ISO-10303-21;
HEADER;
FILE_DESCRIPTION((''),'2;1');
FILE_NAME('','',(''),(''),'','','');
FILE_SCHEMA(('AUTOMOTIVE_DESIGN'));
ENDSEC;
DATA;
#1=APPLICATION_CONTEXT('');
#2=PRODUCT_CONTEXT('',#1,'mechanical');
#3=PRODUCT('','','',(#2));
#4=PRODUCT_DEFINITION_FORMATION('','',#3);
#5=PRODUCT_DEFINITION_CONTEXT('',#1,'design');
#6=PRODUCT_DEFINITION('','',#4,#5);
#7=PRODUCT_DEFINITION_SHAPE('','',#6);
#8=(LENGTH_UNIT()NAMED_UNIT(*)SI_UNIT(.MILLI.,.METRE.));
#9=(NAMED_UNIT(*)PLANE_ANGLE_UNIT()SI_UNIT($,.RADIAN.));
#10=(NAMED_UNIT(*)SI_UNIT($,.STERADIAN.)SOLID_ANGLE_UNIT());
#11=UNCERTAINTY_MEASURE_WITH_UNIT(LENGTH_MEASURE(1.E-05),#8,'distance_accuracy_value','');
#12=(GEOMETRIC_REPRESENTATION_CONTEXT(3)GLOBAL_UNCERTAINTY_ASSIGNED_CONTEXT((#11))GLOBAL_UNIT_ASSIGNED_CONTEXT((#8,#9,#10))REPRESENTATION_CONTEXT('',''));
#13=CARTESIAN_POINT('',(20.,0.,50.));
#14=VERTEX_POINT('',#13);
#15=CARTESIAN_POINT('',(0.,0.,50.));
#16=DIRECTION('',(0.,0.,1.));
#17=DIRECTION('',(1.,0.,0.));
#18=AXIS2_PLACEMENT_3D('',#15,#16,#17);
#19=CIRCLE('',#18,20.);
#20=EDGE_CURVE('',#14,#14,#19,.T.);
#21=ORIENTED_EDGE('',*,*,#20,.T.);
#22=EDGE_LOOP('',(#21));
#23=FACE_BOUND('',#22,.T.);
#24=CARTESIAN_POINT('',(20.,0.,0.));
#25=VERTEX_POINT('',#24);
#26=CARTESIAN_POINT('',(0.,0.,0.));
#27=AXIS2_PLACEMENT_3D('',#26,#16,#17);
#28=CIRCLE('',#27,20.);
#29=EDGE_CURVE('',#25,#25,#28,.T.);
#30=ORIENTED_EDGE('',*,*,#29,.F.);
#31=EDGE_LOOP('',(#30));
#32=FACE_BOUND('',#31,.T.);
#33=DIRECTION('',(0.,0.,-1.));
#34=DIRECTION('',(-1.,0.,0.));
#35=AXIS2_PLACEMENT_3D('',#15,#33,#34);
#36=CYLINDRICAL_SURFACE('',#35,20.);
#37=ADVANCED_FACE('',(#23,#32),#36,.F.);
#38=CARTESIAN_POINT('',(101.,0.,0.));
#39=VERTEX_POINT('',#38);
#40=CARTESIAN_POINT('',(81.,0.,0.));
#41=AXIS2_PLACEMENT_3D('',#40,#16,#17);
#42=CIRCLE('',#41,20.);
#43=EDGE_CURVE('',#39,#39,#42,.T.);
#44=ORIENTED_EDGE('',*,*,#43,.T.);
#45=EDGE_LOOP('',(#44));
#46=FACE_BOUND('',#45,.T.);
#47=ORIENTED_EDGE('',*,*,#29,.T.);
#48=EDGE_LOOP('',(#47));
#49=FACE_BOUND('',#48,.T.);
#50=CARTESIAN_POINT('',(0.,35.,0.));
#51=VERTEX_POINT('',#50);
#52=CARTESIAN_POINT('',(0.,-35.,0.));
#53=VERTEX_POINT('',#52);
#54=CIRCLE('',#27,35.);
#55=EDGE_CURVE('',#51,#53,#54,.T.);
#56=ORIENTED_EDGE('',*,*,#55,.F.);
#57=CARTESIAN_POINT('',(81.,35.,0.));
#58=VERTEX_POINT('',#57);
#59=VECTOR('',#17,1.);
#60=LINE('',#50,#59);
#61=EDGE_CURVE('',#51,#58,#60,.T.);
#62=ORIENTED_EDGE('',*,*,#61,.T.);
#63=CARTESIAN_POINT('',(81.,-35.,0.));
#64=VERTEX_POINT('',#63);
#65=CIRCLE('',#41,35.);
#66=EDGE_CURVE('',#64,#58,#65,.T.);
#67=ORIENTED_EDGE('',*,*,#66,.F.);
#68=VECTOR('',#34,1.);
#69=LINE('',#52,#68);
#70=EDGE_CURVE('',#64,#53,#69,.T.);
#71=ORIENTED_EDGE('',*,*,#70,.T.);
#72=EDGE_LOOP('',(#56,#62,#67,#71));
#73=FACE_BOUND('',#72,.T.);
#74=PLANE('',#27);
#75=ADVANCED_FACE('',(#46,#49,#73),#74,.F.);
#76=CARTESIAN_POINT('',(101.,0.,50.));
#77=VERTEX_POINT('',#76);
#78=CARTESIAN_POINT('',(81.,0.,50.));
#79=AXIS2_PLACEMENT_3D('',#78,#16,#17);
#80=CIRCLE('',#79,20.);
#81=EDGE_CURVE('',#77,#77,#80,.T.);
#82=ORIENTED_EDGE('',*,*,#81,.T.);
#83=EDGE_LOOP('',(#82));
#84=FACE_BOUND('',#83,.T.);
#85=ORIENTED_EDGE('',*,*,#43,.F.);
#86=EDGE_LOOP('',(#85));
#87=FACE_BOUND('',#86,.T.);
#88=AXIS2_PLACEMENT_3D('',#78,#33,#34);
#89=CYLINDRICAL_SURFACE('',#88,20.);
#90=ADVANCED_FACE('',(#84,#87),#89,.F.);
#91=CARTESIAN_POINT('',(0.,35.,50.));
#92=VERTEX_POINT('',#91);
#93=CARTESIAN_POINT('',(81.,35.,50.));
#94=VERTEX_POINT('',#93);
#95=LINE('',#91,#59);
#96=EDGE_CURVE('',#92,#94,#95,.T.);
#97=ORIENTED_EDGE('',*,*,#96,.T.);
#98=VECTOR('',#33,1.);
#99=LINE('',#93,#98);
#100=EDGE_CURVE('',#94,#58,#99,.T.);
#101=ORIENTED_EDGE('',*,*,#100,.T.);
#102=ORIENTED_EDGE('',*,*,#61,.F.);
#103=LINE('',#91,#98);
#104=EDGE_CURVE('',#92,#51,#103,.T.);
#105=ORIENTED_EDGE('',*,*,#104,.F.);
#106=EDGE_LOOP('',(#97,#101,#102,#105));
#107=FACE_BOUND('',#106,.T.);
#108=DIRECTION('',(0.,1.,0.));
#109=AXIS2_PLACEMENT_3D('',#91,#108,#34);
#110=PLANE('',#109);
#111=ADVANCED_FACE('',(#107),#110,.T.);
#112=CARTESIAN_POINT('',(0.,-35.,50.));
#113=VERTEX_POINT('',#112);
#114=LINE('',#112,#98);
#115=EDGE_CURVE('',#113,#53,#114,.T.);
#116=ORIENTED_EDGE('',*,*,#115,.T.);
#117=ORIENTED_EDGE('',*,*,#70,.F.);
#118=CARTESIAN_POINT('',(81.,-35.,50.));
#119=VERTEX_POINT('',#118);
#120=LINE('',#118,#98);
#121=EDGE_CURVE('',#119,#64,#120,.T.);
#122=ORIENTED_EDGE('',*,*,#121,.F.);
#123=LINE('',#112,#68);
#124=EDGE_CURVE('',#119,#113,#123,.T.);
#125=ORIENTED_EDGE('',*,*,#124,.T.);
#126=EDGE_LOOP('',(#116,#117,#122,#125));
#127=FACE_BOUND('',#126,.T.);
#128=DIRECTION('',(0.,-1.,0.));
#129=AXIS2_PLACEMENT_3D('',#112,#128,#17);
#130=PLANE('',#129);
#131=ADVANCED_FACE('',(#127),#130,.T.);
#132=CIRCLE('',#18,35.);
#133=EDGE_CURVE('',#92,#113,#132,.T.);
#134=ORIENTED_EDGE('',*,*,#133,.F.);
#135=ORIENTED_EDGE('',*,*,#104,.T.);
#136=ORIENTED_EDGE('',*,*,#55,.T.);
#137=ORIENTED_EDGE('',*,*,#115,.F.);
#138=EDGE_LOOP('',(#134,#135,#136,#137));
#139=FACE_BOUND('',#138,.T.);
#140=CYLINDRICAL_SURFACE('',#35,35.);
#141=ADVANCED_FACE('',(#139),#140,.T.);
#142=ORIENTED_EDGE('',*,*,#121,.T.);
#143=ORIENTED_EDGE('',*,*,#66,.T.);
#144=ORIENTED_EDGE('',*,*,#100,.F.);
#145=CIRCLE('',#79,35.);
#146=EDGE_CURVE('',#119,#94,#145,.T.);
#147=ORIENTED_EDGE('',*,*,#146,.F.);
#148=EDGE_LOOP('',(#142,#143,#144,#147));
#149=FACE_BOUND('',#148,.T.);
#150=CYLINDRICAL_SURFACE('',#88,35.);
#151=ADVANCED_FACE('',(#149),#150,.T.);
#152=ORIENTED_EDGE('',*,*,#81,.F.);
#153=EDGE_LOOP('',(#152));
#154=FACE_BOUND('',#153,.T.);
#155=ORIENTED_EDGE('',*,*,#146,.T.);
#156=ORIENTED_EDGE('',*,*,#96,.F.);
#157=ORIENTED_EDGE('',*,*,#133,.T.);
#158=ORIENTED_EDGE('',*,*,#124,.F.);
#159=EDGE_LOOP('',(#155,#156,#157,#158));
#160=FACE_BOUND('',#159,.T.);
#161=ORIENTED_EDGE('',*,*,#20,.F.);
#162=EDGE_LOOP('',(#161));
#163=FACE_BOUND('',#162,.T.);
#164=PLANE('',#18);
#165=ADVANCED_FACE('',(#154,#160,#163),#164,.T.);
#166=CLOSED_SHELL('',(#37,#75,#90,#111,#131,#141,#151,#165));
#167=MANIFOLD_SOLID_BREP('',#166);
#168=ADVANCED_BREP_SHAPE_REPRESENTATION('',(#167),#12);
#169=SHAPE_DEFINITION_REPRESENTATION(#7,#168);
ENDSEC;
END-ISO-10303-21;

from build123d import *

# Parameters (mm, degrees)
SKETCH_2_R      = 20
EXTRUDE_1_DEPTH = 50


with BuildPart() as part:
    # 草图2 → 凸台-拉伸1 (new body)
    with BuildSketch(Plane.XY):
        with BuildLine():
            Line((0, 35), (81, 35))
            ThreePointArc((81, 35), (116, 0), (81, -35))
            Line((81, -35), (0, -35))
            ThreePointArc((0, -35), (-35, 0), (0, 35))
        make_face()
        Circle(SKETCH_2_R, mode=Mode.SUBTRACT)
        with Locations((81, 0)):
            Circle(SKETCH_2_R, mode=Mode.SUBTRACT)
    extrude(amount=EXTRUDE_1_DEPTH)


solid = part.part
